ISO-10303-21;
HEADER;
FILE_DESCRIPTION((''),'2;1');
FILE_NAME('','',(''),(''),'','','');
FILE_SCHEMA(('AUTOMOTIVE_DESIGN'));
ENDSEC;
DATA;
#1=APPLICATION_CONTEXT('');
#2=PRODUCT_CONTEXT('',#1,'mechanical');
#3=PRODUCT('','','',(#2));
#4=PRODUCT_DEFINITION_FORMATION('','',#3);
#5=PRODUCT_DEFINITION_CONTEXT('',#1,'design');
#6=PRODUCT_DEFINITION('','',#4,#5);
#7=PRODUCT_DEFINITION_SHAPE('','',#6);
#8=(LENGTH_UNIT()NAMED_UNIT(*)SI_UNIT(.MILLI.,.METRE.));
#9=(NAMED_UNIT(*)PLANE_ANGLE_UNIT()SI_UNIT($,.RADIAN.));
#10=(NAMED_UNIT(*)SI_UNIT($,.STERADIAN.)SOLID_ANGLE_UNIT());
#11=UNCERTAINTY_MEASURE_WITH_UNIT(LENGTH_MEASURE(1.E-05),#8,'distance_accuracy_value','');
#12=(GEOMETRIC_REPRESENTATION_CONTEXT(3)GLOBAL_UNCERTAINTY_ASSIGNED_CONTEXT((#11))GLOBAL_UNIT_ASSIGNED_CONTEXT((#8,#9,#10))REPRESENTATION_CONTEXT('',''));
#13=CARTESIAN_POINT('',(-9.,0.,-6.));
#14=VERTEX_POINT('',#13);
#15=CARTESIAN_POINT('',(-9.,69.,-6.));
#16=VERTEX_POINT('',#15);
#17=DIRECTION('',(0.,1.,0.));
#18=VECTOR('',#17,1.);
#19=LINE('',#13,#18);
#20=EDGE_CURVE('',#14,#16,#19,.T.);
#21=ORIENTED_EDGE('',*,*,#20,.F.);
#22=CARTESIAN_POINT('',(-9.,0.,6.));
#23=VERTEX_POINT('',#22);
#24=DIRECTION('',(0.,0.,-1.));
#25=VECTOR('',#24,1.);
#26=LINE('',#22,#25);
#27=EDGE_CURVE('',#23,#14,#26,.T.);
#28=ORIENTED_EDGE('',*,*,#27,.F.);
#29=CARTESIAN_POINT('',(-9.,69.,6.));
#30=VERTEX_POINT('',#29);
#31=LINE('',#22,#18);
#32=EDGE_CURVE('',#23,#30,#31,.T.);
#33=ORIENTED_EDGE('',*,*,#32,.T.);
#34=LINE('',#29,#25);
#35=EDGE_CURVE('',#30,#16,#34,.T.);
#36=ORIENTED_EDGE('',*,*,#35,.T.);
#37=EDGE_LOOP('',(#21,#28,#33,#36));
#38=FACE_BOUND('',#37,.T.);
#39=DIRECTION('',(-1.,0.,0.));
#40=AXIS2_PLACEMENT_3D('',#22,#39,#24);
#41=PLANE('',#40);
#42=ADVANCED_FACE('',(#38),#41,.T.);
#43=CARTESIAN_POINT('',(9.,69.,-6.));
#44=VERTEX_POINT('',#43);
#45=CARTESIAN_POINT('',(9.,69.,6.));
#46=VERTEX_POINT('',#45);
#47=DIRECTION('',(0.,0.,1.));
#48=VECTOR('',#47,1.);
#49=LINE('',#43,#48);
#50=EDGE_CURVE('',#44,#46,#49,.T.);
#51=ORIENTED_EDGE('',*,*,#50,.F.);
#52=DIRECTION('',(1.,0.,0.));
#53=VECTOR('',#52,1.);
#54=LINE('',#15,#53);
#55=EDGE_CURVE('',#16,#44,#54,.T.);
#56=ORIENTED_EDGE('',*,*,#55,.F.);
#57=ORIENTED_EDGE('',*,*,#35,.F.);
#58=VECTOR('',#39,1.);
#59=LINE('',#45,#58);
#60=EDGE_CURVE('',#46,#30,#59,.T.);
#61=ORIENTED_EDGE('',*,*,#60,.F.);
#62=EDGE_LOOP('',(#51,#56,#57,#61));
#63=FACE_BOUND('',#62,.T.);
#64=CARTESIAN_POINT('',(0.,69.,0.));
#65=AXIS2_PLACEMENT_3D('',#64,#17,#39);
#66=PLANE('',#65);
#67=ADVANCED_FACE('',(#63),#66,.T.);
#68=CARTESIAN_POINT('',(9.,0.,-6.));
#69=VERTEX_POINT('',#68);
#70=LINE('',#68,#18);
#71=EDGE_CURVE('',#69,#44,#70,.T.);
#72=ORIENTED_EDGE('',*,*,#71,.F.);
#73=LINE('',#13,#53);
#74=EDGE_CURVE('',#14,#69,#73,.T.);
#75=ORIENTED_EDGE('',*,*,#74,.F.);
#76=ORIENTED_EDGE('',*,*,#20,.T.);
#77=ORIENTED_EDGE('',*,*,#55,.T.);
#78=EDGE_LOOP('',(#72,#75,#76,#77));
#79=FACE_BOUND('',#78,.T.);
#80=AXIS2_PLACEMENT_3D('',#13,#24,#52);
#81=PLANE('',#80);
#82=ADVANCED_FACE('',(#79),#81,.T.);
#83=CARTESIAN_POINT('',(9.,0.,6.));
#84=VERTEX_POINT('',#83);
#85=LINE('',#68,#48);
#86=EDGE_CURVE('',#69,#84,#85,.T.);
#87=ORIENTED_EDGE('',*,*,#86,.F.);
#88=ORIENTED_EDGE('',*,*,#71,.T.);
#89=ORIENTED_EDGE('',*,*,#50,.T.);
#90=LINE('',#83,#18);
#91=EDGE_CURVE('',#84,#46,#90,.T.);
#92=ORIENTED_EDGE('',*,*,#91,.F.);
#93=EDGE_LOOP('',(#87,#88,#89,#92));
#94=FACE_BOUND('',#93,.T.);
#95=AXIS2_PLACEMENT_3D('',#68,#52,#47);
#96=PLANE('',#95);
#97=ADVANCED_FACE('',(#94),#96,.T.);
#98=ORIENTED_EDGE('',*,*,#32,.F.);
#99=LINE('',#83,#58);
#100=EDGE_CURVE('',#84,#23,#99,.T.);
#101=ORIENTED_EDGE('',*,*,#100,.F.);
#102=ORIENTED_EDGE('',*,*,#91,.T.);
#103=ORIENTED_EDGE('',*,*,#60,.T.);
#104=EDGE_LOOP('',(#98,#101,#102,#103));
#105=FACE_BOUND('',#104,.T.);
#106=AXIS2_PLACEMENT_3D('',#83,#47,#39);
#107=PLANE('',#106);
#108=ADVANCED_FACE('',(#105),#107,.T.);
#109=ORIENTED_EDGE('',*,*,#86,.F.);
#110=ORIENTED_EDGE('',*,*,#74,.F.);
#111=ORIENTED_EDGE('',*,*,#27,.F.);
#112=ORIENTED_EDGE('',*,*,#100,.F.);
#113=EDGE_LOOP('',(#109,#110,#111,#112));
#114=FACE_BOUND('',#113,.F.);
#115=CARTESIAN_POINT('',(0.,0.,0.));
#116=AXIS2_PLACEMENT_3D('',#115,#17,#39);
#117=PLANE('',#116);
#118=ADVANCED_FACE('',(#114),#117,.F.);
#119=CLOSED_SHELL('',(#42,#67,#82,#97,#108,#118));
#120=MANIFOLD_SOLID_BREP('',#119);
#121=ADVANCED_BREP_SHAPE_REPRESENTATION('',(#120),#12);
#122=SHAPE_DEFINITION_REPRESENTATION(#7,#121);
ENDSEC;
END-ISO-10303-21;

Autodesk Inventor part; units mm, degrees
ref_plane "YZ Plane" through (0, 0, 0) normal (1, 0, 0) x (0, 1, 0)
ref_plane "XZ Plane" through (0, 0, 0) normal (0, 1, 0) x (-1, 0, 0)
ref_plane "XY Plane" through (0, 0, 0) normal (0, 0, 1) x (1, 0, 0)
sketch "Sketch1" plane through (0, 0, 0) normal (0, 1, 0) x (-1, 0, 0)
  line L0 (-9, 6) -> (9, 6)
  line L1 (9, 6) -> (9, -6)
  line L2 (9, -6) -> (-9, -6)
  line L3 (-9, -6) -> (-9, 6)
  line L4 (-9, 6) -> (9, -6) construction
  line L5 (9, 6) -> (-9, -6) construction
  point P0 (0, 0)
  dimension "d0" = 12
  dimension "d1" = 18
extrude "Extrusion1" add sketch "Sketch1" along normal blind 69
ref_plane "Work Plane1" through (0, 34.5, 0) normal (0, 1, 0) x (1, 0, 0)
properties part number "BatteryV2"
